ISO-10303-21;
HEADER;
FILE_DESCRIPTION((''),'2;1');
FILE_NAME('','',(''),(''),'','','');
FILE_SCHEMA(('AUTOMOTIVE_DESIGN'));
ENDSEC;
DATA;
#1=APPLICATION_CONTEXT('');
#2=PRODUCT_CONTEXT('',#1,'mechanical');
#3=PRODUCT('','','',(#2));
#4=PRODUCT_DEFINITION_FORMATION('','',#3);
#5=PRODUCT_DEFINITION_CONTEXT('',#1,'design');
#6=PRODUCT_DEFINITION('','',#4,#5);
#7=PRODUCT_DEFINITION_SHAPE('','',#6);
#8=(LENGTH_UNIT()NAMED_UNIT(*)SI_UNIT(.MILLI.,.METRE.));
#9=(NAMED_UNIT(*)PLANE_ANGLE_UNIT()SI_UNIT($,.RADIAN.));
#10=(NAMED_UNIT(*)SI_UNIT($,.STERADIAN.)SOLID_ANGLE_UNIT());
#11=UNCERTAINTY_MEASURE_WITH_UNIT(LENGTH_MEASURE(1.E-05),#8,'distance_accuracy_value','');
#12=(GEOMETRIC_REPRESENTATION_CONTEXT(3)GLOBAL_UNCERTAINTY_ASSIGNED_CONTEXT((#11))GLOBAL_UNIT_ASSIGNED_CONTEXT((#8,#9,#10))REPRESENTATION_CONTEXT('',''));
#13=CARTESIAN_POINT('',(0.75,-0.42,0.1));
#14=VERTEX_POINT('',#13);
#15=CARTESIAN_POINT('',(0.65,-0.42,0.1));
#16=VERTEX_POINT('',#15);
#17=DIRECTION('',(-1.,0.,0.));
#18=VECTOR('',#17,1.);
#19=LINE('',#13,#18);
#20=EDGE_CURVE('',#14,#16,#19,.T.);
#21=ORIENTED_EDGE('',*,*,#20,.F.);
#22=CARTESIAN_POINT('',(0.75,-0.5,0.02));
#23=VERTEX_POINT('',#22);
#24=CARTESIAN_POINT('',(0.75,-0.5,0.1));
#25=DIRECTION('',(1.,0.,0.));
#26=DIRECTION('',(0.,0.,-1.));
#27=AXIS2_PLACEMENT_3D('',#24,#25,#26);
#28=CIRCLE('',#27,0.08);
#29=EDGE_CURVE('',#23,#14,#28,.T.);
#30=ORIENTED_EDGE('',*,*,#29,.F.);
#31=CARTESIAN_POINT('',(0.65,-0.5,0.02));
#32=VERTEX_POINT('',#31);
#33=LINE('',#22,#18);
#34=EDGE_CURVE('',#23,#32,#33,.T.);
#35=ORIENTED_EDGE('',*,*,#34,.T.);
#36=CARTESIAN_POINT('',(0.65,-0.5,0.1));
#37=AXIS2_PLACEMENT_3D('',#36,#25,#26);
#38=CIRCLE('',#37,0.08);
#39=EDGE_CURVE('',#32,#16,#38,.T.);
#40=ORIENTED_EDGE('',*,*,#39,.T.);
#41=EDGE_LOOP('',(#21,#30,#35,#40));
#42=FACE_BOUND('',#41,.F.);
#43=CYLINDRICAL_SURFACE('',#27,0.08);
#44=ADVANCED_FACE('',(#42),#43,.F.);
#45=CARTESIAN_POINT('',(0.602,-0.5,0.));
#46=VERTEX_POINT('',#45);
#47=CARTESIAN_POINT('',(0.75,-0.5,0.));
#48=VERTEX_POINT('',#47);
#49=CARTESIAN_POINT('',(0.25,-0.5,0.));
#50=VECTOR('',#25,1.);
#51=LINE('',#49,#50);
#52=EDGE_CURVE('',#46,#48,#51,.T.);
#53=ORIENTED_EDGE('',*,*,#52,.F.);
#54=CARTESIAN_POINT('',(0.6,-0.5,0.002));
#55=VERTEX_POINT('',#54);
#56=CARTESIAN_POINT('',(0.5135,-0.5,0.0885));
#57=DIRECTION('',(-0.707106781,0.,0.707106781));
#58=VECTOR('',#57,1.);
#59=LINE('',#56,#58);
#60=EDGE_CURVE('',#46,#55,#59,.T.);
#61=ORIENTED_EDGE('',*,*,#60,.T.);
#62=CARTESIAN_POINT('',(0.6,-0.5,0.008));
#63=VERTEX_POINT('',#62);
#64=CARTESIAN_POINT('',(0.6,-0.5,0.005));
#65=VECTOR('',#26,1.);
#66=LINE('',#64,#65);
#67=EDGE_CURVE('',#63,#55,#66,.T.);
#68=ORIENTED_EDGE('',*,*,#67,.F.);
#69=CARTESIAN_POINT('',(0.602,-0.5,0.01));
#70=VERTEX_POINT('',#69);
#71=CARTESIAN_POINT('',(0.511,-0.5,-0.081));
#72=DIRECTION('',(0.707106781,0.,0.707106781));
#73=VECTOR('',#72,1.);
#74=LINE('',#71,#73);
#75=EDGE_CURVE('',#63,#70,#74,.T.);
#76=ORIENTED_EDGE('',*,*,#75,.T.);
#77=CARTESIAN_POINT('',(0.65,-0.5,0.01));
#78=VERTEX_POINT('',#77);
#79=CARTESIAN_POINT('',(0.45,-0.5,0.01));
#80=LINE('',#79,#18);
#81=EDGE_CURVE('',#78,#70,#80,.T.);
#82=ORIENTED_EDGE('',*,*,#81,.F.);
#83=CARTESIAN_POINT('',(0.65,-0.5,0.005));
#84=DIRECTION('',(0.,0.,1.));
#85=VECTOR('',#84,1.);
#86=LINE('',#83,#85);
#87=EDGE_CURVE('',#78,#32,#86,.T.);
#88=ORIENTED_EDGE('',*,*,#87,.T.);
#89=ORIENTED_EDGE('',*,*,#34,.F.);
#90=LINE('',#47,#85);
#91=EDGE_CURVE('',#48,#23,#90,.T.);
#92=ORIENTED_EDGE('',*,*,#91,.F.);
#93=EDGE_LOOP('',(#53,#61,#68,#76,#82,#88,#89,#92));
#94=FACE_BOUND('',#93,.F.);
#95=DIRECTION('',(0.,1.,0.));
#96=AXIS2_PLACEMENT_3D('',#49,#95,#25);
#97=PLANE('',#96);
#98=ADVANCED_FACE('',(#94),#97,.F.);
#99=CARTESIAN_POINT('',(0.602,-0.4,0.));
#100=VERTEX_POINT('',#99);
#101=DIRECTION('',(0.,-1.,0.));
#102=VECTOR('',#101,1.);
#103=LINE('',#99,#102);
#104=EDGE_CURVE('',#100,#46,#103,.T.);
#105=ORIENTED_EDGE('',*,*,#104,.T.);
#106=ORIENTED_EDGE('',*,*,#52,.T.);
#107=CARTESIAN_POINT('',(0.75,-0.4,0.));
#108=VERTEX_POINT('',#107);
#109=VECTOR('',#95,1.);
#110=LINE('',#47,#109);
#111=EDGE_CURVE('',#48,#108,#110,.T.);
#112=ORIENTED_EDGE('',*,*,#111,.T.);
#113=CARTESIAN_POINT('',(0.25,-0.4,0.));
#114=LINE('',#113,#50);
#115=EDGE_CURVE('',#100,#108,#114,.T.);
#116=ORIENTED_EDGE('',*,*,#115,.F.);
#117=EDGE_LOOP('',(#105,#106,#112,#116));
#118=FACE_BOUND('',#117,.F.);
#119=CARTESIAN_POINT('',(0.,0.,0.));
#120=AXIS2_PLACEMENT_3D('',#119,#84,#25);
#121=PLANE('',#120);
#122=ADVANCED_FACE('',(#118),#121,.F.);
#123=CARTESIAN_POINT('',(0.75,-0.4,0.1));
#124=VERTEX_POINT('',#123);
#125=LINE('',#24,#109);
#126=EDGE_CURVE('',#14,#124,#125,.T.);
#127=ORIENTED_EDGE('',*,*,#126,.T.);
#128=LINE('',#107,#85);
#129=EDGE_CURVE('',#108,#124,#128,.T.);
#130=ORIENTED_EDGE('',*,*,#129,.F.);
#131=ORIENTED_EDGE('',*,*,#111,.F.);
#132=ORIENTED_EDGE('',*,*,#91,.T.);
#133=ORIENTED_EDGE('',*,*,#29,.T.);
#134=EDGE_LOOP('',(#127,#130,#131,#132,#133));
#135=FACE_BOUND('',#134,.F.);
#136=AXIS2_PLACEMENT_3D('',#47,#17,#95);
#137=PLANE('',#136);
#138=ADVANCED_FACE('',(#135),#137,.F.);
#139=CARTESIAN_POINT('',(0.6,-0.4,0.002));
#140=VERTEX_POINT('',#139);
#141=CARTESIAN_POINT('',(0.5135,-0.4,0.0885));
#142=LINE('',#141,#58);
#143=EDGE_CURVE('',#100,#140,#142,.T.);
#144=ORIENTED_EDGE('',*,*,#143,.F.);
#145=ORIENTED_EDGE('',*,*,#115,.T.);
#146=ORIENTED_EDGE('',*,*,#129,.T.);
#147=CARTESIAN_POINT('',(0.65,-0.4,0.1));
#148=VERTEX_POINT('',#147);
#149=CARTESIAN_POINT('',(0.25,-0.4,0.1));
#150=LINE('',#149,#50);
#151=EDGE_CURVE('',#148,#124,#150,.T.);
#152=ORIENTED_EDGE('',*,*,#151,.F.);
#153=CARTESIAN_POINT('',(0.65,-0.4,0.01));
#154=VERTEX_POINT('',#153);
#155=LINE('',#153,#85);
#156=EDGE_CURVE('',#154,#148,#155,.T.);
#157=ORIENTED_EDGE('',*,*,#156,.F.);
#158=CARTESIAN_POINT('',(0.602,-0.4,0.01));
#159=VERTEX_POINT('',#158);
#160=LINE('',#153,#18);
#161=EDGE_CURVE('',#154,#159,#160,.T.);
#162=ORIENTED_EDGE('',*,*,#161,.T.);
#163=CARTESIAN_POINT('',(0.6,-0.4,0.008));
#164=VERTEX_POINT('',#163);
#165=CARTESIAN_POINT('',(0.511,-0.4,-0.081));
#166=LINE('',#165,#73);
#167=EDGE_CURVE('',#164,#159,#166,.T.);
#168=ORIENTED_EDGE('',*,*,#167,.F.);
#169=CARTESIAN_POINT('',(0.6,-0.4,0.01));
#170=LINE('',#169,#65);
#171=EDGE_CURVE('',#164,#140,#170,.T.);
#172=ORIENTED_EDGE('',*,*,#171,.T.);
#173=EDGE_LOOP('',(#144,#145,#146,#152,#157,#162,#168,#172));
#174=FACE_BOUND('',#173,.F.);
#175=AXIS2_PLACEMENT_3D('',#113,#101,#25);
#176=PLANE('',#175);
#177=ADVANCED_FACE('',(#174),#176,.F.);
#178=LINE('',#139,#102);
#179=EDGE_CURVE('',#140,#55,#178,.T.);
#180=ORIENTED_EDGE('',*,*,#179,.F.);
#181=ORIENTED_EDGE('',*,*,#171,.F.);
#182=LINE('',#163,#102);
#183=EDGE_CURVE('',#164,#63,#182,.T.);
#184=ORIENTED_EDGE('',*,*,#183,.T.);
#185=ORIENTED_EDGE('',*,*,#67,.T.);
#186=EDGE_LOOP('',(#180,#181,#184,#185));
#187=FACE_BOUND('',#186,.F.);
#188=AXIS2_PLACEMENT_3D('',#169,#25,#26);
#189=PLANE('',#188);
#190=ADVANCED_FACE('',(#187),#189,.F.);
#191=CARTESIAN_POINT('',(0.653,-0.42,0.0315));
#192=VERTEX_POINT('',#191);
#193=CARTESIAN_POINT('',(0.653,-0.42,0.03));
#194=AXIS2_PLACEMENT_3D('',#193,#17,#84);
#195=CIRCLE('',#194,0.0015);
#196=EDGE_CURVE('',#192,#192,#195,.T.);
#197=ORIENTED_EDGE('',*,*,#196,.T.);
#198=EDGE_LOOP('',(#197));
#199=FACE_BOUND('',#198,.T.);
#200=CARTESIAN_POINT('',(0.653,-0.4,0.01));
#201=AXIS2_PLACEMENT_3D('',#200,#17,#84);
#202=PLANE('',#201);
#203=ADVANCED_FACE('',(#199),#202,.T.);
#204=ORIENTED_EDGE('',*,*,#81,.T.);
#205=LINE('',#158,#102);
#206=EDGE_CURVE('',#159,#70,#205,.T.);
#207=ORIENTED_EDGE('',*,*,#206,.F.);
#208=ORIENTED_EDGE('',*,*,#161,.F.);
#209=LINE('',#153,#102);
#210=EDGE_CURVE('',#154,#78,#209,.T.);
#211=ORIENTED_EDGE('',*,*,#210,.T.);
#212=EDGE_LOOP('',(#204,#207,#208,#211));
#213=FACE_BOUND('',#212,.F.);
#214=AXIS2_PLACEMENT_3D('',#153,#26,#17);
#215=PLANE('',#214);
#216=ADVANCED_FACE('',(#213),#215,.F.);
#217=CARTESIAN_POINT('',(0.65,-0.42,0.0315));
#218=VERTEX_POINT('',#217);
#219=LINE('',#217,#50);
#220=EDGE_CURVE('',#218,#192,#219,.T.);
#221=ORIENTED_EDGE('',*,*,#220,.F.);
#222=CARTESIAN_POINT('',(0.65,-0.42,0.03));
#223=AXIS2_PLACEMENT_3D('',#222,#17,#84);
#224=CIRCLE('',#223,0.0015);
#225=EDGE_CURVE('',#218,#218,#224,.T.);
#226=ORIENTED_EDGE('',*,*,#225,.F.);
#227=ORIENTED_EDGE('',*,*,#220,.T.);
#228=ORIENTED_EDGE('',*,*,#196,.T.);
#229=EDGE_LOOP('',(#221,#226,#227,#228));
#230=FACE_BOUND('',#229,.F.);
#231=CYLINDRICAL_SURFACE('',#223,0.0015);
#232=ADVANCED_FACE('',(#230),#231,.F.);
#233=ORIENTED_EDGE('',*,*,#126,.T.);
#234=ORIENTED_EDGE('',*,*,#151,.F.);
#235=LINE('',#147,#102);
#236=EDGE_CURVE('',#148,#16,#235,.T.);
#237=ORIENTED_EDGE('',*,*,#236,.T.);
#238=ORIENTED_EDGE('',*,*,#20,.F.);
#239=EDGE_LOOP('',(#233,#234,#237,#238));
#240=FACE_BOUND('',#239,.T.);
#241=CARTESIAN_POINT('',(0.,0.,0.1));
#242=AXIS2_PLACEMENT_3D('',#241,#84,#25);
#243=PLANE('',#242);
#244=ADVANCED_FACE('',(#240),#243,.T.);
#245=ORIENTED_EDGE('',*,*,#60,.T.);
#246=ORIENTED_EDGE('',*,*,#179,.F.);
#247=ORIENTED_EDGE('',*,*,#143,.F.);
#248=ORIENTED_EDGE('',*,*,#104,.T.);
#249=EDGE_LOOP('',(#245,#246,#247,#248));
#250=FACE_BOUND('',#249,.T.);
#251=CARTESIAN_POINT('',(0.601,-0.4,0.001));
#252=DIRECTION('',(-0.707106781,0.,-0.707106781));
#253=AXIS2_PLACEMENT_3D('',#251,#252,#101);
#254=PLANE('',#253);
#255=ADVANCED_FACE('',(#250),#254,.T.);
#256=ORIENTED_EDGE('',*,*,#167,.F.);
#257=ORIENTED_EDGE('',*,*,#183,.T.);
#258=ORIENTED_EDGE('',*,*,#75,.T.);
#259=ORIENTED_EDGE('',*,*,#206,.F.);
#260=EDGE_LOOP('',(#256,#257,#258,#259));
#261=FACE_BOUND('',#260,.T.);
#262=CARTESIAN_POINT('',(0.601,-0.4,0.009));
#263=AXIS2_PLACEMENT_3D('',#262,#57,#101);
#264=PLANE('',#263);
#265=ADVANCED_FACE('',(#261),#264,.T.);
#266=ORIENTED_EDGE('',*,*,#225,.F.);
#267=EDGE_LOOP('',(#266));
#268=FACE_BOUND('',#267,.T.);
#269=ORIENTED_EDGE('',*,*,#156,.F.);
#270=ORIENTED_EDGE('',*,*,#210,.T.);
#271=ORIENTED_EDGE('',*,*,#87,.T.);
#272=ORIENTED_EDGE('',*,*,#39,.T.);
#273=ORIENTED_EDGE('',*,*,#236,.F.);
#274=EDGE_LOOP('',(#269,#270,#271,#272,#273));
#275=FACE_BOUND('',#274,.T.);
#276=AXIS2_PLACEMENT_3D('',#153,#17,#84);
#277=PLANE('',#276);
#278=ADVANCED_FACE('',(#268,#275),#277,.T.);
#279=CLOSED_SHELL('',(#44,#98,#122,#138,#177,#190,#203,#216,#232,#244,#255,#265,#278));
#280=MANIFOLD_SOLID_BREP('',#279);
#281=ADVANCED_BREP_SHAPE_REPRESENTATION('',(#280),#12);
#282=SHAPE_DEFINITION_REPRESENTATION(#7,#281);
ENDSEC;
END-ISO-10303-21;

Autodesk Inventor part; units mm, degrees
ref_plane "YZ Plane" through (0, 0, 0) normal (1, 0, 0) x (0, 1, 0)
ref_plane "XZ Plane" through (0, 0, 0) normal (0, 1, 0) x (-1, 0, 0)
sketch "스케치1" plane through (0, 0, 0) normal (0, 0, 1) x (1, 0, 0)
  line L0 (-0.15, 0) -> (0.9, 0) construction
  line L1 (0, -0.7) -> (0, 0.7) construction
  line L2 (0.25, -0.5) -> (0.75, -0.5)
  line L3 (0.75, -0.5) -> (0.75, 0.5)
  line L4 (0.75, 0.5) -> (0.25, 0.5)
  line L5 (0.25, 0.5) -> (0.25, -0.5)
  point P0 (0, 0)
  point P1 (0.5, -0.5)
  dimension "d7" = 0.5
  dimension "d8" = 1
  dimension "d9" = 0.25
extrude "돌출1" add sketch "스케치1" along normal blind 0.1
sketch "스케치3" plane through (0.25, 0.5, 0) normal (0, 1, 0) x (1, 0, 0)
  line L0 (-0.25, 0.7571) -> (-0.25, -0.2929) construction
  line L1 (-0.4, 0) -> (0.65, 0) construction
  line L2 (0.5, 0) -> (0, 0) projected
  line L3 (0, 0) -> (0, -0.1) projected
  line L4 (0.5, -0.1) -> (0, -0.1) projected
  line L5 (0.5, 0) -> (0.5, -0.1) projected
  arc A0 (0, -0.1) -> (0.5, -0.1) centre (0.25, 0.6071) ccw
  line L6 (0.25, -0.1) -> (0.25, 0.4799) construction
  point P0 (-0.25, 0)
  dimension "d10" = 0.75
sketch "스케치5" plane through (0, 0, 0.1) normal (0, 0, 1) x (1, 0, 0)
  line L0 (0.75, -0.5) -> (0.75, 0.5) projected
  line L1 (0.75, 0.5) -> (0.25, 0.5) projected
  line L2 (0.25, 0.5) -> (0.25, -0.5) projected
  line L3 (0.25, -0.5) -> (0.75, -0.5) projected
  line L4 (-0.15, 0) -> (0.9, 0) construction
  line L5 (0, -0.7) -> (0, 0.7) construction
  line L6 (-0.15, 0) -> (0.9, 0) construction
  line L7 (0, 0.7) -> (0, -0.7) construction
  line L8 (0.75, 0.4) -> (0.25, 0.4)
  line L9 (0.75, -0.4) -> (0.25, -0.4)
  point P0 (0, 0)
  dimension "d18" = 1
  dimension "d19" = 0.4
sketch "스케치6" plane through (0.75, -0.5, 0) normal (1, 0, 0) x (0, 0, -1)
  line L0 (0, 0) -> (0, 1) projected
  line L1 (0, 1) -> (-0.1, 1) projected
  line L2 (-0.1, 0) -> (-0.1, 1) projected
  line L3 (0, 0) -> (-0.1, 0) projected
  line L4 (0, 0.5) -> (-0.1, 0.5) construction
  line L5 (0, 0.92) -> (-0.1, 0.92)
  arc A0 (-0.1, 0.92) -> (-0.02, 1) centre (-0.1, 1) ccw
  arc A1 (-0.02, 0) -> (-0.1, 0.08) centre (-0.1, 0) ccw
  point P0 (-0.05, 0.5)
  point P1 (-0.05, 0.92)
  point P2 (-0.02, 0)
  point P3 (-0.1, 0.08)
  dimension "d20" = 0.42
extrude "돌출5" cut sketch "스케치6" against normal up to surface (0.5 mm away) contours L3 L2 A1 | L2 L1 A0
sketch "스케치7" plane through (0.75, -0.5, 0) normal (1, 0, 0) x (0, 0, -1)
  arc A0 (-0.1, 0.92) -> (-0.02, 1) centre (-0.1, 1) ccw projected
  line L0 (-0.1, 0.08) -> (-0.1, 0.92) projected
  arc A1 (-0.02, 0) -> (-0.1, 0.08) centre (-0.1, 0) ccw projected
  line L1 (0, 0) -> (-0.02, 0) projected
  line L2 (0, 0) -> (0, 1) projected
  line L3 (0, 1) -> (-0.02, 1) projected
  line L4 (0, 0.5) -> (-0.2526, 0.5) construction
  line L5 (-0.2526, 0.5) -> (-0.2526, 0.9) construction
  line L6 (-0.2526, 0.9) -> (-0.1, 0.9) construction
  line L7 (-0.2526, 0.1) -> (-0.1, 0.1) construction
  dimension "d23" = 0.4
ref_plane "작업 평면1" through (0.25, -0.4, 0) normal (0, -1, 0) x (1, 0, 0)
sketch "스케치8" plane through (0.25, -0.4, 0) normal (0, -1, 0) x (1, 0, 0)
  line L0 (0, 0.02) -> (0, 0.1) projected
  line L1 (0.5, 0.02) -> (0, 0.02) projected
  line L2 (0.5, 0.1) -> (0.5, 0.02) projected
  line L3 (0, 0.1) -> (0.5, 0.1) projected
  line L4 (0.5, 0.02) -> (0, 0.02) projected
  line L5 (0, 0) -> (0, 0.02) projected
  line L6 (0, 0) -> (0.5, 0) projected
  line L7 (0.5, 0) -> (0.5, 0.02) projected
  point P0 (-0.25, 0)
  point P1 (0.5, 0.02)
  point P2 (0, 0.02)
extrude "돌출6" cut sketch "스케치8" against normal blind 10
sketch "스케치9" plane through (0.25, -0.4, 0) normal (0, 1, 0) x (1, 0, 0)
  line L0 (0.5, 0) -> (0.5, -0.1) projected
  line L1 (0, 0) -> (0.5, 0) projected
  line L2 (0, -0.1) -> (0, 0) projected
  line L3 (0.5, -0.1) -> (0, -0.1) projected
  line L4 (0, 0) -> (0.5, 0) construction
  line L5 (0.2, 0) -> (0.2, -0.1) construction
  line L6 (0.2, -0.1) -> (0.2, -0.0922)
  line L7 (0.2, -0.01) -> (0.15, -0.01)
  line L8 (0.15, -0.01) -> (0.15, 0)
  line L9 (0.4, 0) -> (0.4, -0.1) construction
  line L10 (0.5, -0.1) -> (0, -0.1) construction
  line L11 (0.4, -0.01) -> (0.35, -0.01)
  line L12 (0.35, -0.01) -> (0.35, 0)
  line L13 (0.4, -0.01) -> (0.4, -0.1)
  line L14 (0.2, -0.01) -> (0.2, -0.1)
  point P0 (-0.25, 0)
  point P1 (0, -0.05)
  dimension "d27" = 0.2
  dimension "d28" = 0.01
  dimension "d29" = 0.2
  dimension "d30" = 0.05
  dimension "d31" = 0.05
extrude "돌출7" cut sketch "스케치9" against normal blind 10 contours L12 L11 L13 L3 L6 L14 L7 L8 L1 | L8 L7 L14 L6 L3 L2 L1
chamfer "모따기1" distance 0.002 angle 45 2 edges at (0.6, -0.45, 0) (0.6, -0.45, 0.01)
sketch "스케치10" plane through (0.65, -0.4, 0.01) normal (-1, 0, 0) x (0, 0, 1)
  line L0 (0.01, -0.1) -> (0, -0.1) projected
  arc A0 (0.09, -0.02) -> (0.01, -0.1) centre (0.09, -0.1) ccw projected
  line L1 (0.09, 0) -> (0.09, -0.02) projected
  line L2 (0, 0) -> (0.09, 0) projected
  line L3 (0, 0) -> (0, -0.1) projected
  line L4 (0, -0.02) -> (0.02, -0.02) construction
  line L5 (0.02, -0.02) -> (0.02, 0) construction
  circle A1 centre (0.02, -0.02) radius 0.0015
  point P0 (-0.01, 0.4)
  dimension "d37" = 0.02
  dimension "d38" = 0.02
  dimension "d39" = 0.003
extrude "돌출8" cut sketch "스케치10" against normal blind 0.003 contours A1
properties part number "flat_surface_1"
